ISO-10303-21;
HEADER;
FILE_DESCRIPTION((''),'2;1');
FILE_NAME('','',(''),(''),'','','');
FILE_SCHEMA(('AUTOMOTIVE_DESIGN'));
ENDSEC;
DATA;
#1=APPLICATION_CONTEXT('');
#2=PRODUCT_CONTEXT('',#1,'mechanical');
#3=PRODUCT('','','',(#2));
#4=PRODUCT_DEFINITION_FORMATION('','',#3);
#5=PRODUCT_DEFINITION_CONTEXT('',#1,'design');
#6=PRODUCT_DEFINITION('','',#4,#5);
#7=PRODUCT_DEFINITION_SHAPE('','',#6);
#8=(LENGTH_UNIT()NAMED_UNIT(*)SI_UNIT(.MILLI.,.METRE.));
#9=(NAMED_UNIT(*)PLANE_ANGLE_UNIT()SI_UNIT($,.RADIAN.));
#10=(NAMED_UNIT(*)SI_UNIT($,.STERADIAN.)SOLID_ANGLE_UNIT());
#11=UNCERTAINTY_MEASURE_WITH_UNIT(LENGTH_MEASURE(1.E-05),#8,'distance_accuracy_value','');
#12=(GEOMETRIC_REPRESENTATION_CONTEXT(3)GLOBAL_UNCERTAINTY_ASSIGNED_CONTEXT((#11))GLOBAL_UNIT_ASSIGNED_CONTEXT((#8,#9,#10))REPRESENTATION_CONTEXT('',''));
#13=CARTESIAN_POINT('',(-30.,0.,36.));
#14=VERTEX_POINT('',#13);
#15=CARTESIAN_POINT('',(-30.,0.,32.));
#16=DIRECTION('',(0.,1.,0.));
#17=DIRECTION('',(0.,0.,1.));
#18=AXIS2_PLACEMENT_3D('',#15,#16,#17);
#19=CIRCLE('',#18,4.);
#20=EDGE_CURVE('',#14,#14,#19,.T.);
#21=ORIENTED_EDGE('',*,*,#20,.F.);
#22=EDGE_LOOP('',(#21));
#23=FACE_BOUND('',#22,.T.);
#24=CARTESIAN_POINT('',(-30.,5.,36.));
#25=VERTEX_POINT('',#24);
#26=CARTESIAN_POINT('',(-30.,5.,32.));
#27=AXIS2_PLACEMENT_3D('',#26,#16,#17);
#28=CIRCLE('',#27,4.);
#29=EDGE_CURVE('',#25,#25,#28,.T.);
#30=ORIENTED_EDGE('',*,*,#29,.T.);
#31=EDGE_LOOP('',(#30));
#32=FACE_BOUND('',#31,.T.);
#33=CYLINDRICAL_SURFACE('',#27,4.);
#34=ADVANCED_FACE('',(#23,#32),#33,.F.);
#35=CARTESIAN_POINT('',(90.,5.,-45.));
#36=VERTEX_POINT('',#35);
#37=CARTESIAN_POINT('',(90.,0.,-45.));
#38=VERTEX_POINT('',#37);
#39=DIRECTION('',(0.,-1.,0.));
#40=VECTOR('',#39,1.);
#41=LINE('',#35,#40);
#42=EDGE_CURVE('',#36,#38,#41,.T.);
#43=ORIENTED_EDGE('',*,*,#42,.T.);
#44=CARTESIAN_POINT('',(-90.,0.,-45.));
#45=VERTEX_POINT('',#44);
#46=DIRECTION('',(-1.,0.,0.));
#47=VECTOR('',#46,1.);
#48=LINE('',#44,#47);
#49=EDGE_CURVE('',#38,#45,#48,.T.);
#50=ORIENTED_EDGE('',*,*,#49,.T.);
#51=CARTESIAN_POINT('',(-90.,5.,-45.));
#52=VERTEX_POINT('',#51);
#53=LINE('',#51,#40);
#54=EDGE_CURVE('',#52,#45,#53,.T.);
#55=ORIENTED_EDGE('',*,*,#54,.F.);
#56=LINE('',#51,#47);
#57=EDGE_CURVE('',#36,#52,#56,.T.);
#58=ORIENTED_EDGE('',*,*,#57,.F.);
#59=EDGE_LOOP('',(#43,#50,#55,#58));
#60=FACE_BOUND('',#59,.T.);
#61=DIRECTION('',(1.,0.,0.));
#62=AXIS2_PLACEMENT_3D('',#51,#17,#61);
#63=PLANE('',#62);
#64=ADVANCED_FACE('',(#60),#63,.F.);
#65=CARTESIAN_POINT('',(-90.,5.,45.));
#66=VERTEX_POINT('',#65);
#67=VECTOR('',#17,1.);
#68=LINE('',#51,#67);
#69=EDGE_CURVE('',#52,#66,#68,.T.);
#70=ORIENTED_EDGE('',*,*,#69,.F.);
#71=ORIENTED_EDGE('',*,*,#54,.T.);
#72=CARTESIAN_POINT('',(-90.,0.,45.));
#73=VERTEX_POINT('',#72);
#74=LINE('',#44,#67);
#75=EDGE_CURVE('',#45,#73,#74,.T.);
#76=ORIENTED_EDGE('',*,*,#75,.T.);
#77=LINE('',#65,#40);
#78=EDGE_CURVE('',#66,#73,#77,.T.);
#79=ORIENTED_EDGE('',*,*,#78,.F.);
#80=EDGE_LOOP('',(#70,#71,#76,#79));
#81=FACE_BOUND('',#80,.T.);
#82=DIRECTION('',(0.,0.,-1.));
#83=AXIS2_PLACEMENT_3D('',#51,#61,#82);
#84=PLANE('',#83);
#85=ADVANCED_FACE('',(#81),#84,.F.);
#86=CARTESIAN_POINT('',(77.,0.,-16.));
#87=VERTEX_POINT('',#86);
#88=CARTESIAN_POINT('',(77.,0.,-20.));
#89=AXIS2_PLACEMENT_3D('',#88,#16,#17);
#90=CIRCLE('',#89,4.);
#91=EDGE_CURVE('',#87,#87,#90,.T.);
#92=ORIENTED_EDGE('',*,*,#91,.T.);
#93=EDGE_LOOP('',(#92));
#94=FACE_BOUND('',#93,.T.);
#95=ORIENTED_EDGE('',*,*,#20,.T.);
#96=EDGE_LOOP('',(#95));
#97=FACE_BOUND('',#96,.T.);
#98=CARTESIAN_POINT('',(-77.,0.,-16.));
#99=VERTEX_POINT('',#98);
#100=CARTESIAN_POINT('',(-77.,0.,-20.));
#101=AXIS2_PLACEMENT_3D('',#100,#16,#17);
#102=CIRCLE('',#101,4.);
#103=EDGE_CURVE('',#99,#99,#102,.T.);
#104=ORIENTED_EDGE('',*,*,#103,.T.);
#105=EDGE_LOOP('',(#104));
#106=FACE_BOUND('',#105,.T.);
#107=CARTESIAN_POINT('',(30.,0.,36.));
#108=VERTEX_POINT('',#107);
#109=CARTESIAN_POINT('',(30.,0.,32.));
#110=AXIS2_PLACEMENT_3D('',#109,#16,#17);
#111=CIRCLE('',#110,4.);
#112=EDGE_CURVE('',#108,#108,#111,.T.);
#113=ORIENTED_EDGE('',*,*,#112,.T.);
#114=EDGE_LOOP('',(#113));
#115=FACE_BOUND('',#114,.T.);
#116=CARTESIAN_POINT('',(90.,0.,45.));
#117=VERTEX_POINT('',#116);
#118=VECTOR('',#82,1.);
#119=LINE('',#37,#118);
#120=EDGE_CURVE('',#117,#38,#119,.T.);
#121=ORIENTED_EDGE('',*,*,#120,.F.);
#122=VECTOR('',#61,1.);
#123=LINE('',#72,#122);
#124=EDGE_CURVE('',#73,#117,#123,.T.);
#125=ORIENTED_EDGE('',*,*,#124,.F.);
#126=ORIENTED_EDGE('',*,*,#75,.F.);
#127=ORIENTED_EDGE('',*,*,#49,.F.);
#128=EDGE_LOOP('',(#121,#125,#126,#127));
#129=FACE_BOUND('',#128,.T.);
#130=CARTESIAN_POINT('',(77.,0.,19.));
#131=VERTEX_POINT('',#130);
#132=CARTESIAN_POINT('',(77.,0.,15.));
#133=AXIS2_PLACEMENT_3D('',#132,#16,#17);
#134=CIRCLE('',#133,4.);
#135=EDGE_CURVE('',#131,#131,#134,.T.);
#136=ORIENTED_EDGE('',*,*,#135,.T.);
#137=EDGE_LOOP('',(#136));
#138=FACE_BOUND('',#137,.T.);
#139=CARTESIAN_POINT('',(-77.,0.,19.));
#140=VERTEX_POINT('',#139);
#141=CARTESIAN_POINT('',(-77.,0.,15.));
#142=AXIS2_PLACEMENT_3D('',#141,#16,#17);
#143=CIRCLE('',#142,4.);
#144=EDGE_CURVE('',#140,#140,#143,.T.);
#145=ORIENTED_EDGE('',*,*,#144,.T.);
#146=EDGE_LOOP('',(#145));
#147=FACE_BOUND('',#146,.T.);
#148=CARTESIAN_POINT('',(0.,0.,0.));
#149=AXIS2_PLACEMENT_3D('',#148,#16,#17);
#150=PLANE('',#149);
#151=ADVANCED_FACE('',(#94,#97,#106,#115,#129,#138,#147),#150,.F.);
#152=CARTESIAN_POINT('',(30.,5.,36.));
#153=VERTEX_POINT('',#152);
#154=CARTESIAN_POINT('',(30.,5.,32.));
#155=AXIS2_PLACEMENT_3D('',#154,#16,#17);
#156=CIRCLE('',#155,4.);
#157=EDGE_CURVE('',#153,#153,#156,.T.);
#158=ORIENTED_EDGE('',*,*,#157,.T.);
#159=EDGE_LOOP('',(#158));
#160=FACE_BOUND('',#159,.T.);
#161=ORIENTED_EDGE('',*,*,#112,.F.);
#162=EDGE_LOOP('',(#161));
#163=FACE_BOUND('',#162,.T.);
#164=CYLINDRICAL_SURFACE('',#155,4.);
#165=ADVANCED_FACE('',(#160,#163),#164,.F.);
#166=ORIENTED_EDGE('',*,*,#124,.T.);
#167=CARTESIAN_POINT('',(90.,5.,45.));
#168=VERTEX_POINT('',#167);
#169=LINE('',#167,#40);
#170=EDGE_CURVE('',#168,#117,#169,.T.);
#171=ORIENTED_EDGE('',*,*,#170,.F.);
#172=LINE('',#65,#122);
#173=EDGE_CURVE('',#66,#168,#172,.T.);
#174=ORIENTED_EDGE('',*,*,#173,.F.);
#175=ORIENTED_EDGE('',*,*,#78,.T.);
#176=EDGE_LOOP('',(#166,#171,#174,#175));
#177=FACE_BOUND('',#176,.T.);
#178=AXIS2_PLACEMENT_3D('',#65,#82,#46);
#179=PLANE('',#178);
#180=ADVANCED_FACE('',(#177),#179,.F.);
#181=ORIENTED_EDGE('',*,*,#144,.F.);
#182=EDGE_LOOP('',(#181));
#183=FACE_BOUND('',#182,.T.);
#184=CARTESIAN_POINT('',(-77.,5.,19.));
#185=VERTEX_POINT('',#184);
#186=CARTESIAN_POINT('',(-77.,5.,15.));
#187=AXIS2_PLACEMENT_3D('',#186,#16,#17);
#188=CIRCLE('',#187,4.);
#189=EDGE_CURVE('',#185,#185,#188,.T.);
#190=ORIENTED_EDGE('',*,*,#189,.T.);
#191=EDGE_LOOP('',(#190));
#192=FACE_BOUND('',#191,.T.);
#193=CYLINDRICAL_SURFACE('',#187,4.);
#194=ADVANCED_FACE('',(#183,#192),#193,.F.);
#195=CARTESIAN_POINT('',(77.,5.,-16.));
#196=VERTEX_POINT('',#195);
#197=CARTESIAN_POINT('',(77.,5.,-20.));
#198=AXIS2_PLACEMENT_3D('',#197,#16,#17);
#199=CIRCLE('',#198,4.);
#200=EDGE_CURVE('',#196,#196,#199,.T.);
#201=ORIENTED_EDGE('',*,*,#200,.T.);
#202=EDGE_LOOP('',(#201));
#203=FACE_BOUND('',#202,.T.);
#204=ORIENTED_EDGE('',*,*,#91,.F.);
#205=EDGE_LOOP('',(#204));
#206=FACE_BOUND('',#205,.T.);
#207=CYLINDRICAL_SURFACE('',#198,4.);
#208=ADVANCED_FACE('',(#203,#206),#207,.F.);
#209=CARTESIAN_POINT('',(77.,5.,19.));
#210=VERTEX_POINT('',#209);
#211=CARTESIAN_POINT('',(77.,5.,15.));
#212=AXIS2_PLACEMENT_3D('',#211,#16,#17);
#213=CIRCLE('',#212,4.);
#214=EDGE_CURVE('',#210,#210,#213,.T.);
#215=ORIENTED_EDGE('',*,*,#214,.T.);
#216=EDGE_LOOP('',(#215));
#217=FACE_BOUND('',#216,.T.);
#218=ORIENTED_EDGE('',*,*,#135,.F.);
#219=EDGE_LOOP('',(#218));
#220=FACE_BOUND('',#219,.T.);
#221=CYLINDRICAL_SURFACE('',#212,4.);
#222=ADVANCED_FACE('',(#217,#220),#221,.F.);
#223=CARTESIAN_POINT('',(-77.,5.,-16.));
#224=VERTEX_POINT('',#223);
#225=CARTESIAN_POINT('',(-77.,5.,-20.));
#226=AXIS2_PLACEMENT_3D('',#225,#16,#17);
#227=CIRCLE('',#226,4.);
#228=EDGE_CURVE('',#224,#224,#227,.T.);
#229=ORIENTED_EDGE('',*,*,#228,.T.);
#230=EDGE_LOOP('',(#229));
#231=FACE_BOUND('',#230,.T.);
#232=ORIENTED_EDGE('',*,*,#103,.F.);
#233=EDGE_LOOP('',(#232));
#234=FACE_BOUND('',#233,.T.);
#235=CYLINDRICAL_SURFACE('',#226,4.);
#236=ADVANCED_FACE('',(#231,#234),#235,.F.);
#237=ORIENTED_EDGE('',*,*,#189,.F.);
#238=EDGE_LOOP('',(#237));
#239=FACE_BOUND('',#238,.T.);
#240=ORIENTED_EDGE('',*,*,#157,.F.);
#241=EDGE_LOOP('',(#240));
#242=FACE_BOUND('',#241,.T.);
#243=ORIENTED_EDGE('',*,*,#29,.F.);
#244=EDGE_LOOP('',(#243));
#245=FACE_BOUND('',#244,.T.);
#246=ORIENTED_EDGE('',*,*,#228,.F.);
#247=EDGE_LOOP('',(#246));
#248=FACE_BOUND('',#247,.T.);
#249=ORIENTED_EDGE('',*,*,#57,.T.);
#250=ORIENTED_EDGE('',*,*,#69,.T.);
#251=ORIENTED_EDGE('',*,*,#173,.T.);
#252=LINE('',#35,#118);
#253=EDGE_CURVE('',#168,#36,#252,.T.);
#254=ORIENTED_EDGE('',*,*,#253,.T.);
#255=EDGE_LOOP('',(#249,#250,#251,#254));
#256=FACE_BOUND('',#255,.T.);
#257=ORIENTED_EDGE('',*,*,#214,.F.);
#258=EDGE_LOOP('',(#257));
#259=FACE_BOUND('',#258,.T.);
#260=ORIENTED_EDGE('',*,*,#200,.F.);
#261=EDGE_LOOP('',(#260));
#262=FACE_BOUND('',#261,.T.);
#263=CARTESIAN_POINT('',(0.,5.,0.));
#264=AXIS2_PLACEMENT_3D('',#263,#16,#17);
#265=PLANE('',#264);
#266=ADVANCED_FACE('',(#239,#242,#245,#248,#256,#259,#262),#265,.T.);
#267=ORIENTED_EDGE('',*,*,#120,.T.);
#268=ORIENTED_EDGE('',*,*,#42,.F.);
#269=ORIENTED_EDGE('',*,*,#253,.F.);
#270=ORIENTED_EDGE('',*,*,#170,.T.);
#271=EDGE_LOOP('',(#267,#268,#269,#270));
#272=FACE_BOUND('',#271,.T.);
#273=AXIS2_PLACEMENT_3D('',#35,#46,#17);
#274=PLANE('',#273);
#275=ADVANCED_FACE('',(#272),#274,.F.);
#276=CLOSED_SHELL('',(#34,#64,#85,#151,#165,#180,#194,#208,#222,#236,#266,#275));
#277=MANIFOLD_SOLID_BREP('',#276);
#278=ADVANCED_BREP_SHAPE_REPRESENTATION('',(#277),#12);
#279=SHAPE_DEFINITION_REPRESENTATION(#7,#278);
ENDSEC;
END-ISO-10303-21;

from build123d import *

# Parameters (mm, degrees)
SKETCH1_W             = 180
SKETCH1_H             = 90
BOSS_EXTRUDE1_DEPTH   = 5
F_1_0MM_DOWEL_HOLE1_D = 8


with BuildPart() as part:
    # Sketch1 → Boss-Extrude1 (new body)
    with BuildSketch(Plane(origin=(0, 0, 0), x_dir=(1, 0, 0), z_dir=(0, 1, 0))):
        Rectangle(SKETCH1_W, SKETCH1_H)
    extrude(amount=BOSS_EXTRUDE1_DEPTH)

    # Ø1.0mm Dowel Hole1 (through all)
    with Locations(Plane(origin=(0, 5, 0), x_dir=(1, 0, 0), z_dir=(0, 1, 0))):
        with Locations((-77, 20), (-77, -15), (-30, -32), (30, -32), (77, -15), (77, 20)):
            Hole(F_1_0MM_DOWEL_HOLE1_D / 2)


solid = part.part
